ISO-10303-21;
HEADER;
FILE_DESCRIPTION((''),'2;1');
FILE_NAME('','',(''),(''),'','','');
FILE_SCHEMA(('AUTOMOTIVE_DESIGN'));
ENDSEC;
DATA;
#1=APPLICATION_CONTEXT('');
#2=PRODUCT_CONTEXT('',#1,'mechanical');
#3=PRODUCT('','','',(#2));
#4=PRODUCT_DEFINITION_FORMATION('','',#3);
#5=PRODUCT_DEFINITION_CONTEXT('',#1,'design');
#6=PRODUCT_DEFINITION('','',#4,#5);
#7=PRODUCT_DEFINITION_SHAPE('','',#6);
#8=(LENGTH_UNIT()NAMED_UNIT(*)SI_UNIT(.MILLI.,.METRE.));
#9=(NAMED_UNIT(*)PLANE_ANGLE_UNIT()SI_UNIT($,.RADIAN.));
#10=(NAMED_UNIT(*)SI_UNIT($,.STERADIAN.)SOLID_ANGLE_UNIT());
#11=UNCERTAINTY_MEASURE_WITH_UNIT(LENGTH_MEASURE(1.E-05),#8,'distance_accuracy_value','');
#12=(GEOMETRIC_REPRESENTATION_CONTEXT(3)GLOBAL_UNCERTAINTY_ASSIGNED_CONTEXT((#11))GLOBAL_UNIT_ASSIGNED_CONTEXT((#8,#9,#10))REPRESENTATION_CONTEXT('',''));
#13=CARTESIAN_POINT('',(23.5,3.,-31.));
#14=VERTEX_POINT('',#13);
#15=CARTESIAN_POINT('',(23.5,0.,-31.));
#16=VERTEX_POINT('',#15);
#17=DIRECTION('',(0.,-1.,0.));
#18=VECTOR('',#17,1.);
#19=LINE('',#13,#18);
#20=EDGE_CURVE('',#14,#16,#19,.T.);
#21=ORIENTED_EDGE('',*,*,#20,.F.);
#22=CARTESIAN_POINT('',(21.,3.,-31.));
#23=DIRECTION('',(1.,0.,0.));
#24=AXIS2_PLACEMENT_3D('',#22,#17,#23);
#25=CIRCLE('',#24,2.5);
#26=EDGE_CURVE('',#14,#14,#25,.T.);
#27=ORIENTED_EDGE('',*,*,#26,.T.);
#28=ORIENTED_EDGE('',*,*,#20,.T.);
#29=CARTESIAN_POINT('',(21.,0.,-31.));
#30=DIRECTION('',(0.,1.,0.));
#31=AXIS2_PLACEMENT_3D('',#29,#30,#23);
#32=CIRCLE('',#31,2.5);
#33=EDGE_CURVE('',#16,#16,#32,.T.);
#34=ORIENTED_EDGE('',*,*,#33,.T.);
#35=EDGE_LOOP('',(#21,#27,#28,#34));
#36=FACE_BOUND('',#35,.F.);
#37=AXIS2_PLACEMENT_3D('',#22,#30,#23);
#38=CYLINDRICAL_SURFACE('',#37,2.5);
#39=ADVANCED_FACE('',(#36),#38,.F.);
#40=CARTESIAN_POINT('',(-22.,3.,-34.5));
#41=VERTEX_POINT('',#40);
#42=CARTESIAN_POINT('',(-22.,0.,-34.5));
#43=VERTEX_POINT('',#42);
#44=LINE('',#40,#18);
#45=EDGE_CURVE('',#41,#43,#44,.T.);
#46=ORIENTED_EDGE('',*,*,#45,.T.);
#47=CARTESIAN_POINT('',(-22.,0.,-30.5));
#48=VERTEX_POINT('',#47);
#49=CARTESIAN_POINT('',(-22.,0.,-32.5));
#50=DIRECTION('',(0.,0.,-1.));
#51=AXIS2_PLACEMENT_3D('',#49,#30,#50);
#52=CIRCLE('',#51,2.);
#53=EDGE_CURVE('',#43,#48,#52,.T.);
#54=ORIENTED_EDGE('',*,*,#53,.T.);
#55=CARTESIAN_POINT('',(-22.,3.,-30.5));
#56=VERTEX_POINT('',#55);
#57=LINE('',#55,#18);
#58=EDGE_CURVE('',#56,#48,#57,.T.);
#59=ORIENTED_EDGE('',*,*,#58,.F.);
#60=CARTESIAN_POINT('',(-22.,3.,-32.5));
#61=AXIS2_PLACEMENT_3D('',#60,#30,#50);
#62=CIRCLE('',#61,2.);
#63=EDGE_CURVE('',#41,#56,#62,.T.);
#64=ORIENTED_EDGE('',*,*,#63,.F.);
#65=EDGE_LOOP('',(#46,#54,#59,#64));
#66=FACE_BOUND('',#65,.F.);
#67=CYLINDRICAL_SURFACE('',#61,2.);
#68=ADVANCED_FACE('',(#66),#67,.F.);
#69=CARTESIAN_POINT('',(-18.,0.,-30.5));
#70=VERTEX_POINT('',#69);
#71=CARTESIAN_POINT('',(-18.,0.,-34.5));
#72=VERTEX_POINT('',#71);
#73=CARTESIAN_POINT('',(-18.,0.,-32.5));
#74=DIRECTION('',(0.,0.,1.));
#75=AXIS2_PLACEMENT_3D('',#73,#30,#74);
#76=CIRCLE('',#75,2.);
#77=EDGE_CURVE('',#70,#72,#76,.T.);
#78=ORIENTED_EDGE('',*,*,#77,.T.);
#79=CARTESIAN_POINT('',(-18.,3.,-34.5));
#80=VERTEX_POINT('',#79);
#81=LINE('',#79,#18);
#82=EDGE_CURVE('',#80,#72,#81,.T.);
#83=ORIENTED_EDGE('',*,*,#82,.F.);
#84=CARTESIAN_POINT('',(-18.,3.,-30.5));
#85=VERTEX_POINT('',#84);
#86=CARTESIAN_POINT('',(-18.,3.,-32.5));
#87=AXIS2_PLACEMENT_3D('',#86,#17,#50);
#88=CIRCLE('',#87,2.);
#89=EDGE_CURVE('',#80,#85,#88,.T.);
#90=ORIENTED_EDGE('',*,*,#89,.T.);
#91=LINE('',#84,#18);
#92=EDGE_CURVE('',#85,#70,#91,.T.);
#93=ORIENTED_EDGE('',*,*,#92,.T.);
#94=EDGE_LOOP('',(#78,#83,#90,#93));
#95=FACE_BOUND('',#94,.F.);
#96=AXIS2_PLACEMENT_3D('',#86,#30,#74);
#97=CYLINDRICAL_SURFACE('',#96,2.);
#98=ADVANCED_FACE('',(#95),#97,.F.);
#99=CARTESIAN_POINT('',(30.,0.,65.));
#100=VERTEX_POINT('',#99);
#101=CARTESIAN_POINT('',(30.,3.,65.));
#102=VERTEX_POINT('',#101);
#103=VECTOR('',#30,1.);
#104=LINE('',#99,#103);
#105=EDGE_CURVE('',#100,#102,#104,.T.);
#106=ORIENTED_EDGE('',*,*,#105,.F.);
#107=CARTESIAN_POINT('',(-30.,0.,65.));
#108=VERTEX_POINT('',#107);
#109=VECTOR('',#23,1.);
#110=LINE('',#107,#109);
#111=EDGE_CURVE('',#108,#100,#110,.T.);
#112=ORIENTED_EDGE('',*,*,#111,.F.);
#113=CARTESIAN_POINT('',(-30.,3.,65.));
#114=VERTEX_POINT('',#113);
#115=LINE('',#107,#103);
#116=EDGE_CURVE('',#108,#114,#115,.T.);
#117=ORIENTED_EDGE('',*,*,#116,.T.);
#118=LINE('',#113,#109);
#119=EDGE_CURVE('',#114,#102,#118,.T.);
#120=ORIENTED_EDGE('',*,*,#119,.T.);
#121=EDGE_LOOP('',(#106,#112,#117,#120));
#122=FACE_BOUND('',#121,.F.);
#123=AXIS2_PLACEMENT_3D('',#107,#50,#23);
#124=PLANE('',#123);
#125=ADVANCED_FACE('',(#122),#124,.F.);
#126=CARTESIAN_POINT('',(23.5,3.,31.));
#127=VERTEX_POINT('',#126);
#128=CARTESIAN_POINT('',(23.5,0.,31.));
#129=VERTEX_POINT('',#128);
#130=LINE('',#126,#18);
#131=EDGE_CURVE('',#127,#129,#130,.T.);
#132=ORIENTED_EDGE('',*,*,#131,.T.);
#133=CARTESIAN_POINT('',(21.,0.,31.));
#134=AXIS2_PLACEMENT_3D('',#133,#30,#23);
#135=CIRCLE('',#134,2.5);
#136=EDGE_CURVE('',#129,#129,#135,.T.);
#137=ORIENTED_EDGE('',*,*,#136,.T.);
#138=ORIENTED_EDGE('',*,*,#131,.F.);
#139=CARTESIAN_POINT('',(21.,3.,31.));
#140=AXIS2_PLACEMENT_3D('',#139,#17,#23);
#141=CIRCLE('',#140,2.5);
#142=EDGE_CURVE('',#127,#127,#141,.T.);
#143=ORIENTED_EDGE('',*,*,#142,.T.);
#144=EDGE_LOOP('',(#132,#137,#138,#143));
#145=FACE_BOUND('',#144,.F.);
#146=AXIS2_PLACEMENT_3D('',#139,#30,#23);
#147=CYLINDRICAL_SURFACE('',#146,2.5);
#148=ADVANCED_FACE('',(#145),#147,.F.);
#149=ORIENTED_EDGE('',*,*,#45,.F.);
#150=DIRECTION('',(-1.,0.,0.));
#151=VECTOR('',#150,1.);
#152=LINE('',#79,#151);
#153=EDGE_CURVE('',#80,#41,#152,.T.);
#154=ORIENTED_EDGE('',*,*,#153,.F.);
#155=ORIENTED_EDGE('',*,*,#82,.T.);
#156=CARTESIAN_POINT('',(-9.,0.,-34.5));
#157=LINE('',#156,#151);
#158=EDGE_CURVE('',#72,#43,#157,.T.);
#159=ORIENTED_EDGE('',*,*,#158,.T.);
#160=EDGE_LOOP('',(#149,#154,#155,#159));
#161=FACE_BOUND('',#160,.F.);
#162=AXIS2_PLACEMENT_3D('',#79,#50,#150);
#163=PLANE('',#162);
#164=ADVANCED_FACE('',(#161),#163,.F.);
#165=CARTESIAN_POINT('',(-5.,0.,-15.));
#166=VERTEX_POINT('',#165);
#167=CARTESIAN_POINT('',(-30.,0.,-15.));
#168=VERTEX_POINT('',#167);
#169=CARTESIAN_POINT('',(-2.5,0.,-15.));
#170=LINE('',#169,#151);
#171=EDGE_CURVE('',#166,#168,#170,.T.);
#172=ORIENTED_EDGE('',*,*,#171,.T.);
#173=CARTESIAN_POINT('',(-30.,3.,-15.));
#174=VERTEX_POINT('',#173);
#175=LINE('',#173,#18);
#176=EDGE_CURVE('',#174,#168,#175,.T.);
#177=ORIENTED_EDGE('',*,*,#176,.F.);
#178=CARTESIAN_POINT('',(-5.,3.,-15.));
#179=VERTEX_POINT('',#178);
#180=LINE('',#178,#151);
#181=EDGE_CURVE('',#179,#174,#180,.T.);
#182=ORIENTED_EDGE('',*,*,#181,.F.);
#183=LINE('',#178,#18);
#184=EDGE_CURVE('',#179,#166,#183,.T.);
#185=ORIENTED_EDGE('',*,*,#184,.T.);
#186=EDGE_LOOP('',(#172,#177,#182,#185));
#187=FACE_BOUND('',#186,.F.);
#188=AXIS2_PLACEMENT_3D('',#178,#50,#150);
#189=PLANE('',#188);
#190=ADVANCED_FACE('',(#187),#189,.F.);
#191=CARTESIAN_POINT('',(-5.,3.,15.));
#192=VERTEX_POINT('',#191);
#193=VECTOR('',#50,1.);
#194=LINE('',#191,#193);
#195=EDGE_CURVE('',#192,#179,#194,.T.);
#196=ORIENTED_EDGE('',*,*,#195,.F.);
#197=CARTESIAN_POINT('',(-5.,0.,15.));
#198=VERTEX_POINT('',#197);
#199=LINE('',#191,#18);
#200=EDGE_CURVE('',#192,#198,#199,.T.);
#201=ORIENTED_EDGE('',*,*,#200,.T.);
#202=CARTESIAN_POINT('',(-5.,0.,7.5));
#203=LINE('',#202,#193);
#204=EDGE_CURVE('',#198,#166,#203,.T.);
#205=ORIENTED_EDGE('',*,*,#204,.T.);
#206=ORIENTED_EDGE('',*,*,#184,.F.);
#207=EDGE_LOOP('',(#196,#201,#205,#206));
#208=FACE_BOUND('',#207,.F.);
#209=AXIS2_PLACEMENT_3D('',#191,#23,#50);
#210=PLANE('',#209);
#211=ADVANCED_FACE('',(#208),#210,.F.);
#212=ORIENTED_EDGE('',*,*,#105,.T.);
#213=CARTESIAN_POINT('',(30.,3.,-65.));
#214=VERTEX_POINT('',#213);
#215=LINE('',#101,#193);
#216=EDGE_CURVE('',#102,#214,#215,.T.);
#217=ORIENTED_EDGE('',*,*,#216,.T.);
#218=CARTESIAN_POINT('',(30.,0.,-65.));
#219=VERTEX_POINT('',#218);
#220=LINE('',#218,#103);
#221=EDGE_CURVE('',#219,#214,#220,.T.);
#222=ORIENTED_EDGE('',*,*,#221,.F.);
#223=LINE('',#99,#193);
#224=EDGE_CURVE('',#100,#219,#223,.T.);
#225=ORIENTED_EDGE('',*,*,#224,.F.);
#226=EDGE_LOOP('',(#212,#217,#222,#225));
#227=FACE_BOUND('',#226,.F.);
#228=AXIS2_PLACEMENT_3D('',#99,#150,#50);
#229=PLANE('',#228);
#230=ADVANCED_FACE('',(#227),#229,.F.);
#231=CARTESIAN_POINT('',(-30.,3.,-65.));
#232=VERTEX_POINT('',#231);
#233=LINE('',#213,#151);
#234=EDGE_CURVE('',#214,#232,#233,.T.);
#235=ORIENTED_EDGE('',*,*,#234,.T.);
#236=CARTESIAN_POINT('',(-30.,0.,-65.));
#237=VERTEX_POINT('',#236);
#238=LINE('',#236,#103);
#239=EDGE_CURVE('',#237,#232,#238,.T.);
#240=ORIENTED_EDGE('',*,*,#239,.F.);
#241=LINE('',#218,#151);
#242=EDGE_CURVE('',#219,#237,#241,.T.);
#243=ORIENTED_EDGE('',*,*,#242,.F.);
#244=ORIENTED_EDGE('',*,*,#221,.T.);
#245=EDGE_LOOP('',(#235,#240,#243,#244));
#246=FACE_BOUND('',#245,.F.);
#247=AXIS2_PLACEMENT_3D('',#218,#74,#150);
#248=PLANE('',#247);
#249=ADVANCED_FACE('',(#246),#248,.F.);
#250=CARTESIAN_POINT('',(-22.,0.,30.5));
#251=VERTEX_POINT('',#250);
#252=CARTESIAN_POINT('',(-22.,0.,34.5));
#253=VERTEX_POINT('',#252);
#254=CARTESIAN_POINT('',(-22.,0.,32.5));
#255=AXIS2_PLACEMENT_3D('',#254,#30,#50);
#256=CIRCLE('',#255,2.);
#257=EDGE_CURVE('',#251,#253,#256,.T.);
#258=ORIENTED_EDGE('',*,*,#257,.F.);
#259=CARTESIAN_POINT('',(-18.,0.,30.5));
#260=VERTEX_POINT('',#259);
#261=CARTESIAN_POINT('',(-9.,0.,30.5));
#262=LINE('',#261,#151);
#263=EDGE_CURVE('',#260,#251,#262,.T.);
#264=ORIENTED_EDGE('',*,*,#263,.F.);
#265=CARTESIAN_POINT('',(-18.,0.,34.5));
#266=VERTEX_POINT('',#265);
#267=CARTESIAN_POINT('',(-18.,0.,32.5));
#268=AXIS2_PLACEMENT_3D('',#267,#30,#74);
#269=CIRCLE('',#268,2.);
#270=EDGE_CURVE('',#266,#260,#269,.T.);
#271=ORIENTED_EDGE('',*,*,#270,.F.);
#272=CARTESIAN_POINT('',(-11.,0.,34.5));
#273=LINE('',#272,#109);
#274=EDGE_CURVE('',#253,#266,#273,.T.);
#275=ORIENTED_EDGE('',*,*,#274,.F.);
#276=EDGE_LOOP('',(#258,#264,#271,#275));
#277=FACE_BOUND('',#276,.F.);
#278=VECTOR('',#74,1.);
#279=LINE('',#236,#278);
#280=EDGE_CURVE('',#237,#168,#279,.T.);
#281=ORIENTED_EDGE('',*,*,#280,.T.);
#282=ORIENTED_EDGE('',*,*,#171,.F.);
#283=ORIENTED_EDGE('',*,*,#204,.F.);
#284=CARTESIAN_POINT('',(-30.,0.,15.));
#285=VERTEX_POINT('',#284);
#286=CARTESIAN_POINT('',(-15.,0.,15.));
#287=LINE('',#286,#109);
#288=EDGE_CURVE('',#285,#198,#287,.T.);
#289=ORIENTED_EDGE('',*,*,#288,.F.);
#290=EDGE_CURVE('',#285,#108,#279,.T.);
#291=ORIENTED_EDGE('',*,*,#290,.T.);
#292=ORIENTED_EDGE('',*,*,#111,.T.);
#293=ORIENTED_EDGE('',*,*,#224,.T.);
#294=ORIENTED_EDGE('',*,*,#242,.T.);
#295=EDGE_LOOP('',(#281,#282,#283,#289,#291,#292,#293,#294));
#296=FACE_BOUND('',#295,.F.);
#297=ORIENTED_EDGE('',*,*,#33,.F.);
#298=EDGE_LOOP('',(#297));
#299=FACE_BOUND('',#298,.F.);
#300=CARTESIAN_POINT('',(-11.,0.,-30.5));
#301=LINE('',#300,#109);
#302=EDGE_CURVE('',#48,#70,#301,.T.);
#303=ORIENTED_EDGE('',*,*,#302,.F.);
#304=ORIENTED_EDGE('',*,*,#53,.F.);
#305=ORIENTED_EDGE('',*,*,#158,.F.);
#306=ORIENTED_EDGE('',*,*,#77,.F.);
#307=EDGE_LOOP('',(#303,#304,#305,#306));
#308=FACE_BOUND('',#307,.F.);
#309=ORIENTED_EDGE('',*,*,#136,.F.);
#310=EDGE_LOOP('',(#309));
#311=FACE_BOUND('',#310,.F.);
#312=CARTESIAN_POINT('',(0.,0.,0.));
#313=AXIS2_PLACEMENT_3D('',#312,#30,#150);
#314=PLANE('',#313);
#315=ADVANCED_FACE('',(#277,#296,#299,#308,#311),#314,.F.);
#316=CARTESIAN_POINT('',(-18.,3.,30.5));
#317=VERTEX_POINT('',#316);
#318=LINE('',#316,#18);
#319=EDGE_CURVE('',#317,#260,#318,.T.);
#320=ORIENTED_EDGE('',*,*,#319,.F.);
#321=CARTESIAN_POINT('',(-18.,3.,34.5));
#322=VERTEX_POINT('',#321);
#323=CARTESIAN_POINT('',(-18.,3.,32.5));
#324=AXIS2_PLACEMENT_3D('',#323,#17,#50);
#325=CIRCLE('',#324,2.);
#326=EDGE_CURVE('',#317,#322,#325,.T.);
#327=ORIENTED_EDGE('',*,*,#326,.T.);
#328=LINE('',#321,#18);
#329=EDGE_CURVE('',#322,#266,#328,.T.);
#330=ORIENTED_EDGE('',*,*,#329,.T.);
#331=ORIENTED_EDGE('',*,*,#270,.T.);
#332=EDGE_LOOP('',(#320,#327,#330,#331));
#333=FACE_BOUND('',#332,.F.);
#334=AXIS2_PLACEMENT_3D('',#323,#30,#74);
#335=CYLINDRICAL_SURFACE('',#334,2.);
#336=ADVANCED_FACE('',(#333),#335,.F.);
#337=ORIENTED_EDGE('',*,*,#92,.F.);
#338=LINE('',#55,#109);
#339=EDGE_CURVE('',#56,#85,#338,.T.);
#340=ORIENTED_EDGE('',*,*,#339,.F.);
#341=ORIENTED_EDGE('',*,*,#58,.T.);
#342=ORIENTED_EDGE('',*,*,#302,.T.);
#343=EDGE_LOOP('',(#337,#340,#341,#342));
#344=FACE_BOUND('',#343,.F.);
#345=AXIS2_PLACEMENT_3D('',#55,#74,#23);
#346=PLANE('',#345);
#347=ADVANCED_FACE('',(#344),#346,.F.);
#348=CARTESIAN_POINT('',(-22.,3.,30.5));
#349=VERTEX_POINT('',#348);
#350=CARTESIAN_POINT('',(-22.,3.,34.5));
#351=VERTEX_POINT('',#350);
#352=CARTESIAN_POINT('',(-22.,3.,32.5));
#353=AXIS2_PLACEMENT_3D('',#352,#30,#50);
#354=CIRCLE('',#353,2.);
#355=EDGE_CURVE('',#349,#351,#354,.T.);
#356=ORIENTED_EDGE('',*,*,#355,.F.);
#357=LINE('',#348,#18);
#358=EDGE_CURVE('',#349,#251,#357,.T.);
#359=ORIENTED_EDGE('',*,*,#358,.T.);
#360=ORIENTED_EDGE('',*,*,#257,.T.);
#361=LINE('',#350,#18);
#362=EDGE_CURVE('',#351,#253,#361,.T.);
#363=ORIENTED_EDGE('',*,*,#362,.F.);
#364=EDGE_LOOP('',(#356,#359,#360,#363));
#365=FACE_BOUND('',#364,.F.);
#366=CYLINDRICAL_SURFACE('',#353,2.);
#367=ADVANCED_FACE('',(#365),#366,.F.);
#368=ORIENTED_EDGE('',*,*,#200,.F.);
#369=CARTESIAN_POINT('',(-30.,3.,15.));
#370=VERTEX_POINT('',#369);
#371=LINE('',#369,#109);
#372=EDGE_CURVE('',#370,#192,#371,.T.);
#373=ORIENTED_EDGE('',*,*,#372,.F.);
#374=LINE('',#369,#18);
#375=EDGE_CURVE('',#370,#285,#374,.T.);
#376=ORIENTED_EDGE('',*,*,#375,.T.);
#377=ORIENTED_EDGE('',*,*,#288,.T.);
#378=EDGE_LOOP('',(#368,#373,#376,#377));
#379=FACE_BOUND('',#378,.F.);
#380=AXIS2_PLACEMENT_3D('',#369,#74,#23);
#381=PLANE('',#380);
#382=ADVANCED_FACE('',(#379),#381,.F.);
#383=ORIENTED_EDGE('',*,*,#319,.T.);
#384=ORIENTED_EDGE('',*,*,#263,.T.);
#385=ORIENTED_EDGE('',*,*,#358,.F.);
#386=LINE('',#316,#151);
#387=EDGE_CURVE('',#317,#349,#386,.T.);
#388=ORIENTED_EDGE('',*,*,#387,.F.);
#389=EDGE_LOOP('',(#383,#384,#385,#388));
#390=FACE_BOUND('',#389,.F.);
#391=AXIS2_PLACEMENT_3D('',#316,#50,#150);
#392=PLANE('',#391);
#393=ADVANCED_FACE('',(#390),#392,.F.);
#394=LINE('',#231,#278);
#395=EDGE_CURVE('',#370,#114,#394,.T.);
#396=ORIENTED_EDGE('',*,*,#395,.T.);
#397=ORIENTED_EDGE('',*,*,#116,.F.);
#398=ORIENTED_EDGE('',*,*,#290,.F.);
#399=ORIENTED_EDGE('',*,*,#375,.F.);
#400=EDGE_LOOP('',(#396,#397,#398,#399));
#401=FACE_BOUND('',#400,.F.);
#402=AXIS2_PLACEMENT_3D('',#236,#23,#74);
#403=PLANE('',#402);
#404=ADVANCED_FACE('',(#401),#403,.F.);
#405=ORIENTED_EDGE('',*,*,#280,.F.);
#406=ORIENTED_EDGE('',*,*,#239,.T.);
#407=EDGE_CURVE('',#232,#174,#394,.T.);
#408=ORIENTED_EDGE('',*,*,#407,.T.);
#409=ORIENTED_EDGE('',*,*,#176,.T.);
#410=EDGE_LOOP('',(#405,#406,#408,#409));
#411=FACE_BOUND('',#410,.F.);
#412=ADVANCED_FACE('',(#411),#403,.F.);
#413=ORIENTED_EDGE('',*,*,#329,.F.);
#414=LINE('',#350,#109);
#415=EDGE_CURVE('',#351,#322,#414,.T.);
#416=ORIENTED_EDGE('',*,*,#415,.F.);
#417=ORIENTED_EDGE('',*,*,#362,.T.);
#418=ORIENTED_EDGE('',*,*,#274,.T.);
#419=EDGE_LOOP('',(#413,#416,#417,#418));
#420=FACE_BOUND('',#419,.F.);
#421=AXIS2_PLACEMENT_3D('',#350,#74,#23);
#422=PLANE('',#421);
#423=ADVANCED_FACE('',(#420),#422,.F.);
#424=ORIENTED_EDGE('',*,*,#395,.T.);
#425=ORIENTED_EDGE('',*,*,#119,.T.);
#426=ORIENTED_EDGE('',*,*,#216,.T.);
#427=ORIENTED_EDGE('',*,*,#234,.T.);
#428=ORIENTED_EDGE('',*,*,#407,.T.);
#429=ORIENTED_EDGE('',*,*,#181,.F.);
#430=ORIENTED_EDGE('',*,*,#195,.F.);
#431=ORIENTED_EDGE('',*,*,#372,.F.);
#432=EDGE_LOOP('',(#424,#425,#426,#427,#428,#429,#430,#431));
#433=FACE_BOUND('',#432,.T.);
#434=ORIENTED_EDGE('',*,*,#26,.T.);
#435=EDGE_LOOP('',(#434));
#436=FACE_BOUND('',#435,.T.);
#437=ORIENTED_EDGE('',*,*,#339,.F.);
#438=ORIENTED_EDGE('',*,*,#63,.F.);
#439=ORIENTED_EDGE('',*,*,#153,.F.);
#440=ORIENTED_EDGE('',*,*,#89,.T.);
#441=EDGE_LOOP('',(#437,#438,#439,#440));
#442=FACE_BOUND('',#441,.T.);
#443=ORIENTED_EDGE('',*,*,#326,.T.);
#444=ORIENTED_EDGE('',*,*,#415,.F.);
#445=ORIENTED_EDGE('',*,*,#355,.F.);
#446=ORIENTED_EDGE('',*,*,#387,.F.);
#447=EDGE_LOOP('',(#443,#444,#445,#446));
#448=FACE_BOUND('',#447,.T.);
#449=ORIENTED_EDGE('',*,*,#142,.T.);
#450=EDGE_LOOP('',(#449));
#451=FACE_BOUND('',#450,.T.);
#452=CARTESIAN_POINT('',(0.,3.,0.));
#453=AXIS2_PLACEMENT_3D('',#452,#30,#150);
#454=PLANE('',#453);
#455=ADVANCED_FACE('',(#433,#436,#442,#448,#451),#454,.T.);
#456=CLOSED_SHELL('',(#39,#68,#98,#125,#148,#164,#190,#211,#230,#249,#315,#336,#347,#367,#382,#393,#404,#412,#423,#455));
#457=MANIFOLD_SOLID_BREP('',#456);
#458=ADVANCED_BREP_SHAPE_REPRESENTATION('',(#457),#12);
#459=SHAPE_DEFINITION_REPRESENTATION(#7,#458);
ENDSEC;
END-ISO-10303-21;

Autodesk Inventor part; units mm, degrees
ref_plane "YZ Plane" through (0, 0, 0) normal (1, 0, 0) x (0, 1, 0)
ref_plane "XZ Plane" through (0, 0, 0) normal (0, 1, 0) x (-1, 0, 0)
ref_plane "XY Plane" through (0, 0, 0) normal (0, 0, 1) x (1, 0, 0)
sketch "스케치1" plane through (0, 0, 0) normal (0, 1, 0) x (-1, 0, 0)
  line L0 (30, 65) -> (-30, 65)
  line L1 (-30, 65) -> (-30, -65)
  line L2 (-30, -65) -> (30, -65)
  line L3 (30, -65) -> (30, 65)
  point P0 (0, 0)
  dimension "d0" = 130
  dimension "d1" = 60
  dimension "d2" = 30
  dimension "d3" = 65
extrude "돌출1" add sketch "스케치1" along normal blind 3
sketch "스케치2" plane through (0, 3, 0) normal (0, 1, 0) x (1, 0, 0)
  point P0 (0, 0)
sketch "스케치3" plane through (0, 3, 0) normal (0, 1, 0) x (1, 0, 0)
  line L0 (66.1835, 32.5) -> (-80.6968, 32.5)
  line L1 (66.1835, -32.5) -> (-80.6968, -32.5)
  line L2 (-30, -65) -> (30, -65) projected
  line L3 (30, 65) -> (-30, 65) projected
  line L4 (-22, 32.5) -> (-18, 32.5) construction
  line L5 (-22, 30.5) -> (-18, 30.5)
  line L6 (-18, 34.5) -> (-22, 34.5)
  arc A0 (-22, 34.5) -> (-22, 30.5) centre (-22, 32.5) ccw
  arc A1 (-18, 30.5) -> (-18, 34.5) centre (-18, 32.5) ccw
  line L7 (-30, 65) -> (-30, -65) projected
  line L8 (-22, -32.5) -> (-18, -32.5) construction
  line L9 (-22, -34.5) -> (-18, -34.5)
  line L10 (-18, -30.5) -> (-22, -30.5)
  arc A2 (-22, -30.5) -> (-22, -34.5) centre (-22, -32.5) ccw
  arc A3 (-18, -34.5) -> (-18, -30.5) centre (-18, -32.5) ccw
  line L11 (30, -65) -> (30, 65) projected
  circle A4 centre (21, 31) radius 2.5
  circle A5 centre (21, -31) radius 2.5
  line L12 (-30, -15) -> (-5, -15)
  line L13 (-5, -15) -> (-5, 15)
  line L14 (-5, 15) -> (-30, 15)
  line L15 (-30, 15) -> (-30, -15)
  line L16 (-30, -15) -> (-5, 15) construction
  line L17 (-5, -15) -> (-30, 15) construction
  point P0 (0, 0)
  point P1 (-20, 32.5)
  point P2 (-20, -32.5)
  point P3 (-17.5, 0)
  point P4 (-30, 15)
  dimension "d6" = 32.5
  dimension "d7" = 32.5
  dimension "d8" = 4
  dimension "d9" = 4
  dimension "d11" = 4
  dimension "d17" = 10
  dimension "d18" = 10
  dimension "d33" = 5
  dimension "d34" = 5
  dimension "d35" = 62
  dimension "d36" = 31
  dimension "d37" = 9
  dimension "d38" = 0
  dimension "d39" = 25
  dimension "d40" = 30
  dimension "d41" = 0
  dimension "d42" = 12.5
  dimension "d43" = 4
extrude "돌출2" cut sketch "스케치3" against normal blind 10 contours A4 L0 | L0 A4 | A5 L1 | L1 A5 | A1 L5 A0 L0 | L0 A0 L6 A1 | A3 L9 A2 L1 | L1 A2 L10 A3 | L14 L13 L12 L7
equation "\"d3\" = 0.5 * d0"
equation "\"d36\" = 0.5 * d35"
equation "\"d42\" = 0.5 * d39"
properties part number "발받침대받침옆판" material "PMMA 플라스틱"
